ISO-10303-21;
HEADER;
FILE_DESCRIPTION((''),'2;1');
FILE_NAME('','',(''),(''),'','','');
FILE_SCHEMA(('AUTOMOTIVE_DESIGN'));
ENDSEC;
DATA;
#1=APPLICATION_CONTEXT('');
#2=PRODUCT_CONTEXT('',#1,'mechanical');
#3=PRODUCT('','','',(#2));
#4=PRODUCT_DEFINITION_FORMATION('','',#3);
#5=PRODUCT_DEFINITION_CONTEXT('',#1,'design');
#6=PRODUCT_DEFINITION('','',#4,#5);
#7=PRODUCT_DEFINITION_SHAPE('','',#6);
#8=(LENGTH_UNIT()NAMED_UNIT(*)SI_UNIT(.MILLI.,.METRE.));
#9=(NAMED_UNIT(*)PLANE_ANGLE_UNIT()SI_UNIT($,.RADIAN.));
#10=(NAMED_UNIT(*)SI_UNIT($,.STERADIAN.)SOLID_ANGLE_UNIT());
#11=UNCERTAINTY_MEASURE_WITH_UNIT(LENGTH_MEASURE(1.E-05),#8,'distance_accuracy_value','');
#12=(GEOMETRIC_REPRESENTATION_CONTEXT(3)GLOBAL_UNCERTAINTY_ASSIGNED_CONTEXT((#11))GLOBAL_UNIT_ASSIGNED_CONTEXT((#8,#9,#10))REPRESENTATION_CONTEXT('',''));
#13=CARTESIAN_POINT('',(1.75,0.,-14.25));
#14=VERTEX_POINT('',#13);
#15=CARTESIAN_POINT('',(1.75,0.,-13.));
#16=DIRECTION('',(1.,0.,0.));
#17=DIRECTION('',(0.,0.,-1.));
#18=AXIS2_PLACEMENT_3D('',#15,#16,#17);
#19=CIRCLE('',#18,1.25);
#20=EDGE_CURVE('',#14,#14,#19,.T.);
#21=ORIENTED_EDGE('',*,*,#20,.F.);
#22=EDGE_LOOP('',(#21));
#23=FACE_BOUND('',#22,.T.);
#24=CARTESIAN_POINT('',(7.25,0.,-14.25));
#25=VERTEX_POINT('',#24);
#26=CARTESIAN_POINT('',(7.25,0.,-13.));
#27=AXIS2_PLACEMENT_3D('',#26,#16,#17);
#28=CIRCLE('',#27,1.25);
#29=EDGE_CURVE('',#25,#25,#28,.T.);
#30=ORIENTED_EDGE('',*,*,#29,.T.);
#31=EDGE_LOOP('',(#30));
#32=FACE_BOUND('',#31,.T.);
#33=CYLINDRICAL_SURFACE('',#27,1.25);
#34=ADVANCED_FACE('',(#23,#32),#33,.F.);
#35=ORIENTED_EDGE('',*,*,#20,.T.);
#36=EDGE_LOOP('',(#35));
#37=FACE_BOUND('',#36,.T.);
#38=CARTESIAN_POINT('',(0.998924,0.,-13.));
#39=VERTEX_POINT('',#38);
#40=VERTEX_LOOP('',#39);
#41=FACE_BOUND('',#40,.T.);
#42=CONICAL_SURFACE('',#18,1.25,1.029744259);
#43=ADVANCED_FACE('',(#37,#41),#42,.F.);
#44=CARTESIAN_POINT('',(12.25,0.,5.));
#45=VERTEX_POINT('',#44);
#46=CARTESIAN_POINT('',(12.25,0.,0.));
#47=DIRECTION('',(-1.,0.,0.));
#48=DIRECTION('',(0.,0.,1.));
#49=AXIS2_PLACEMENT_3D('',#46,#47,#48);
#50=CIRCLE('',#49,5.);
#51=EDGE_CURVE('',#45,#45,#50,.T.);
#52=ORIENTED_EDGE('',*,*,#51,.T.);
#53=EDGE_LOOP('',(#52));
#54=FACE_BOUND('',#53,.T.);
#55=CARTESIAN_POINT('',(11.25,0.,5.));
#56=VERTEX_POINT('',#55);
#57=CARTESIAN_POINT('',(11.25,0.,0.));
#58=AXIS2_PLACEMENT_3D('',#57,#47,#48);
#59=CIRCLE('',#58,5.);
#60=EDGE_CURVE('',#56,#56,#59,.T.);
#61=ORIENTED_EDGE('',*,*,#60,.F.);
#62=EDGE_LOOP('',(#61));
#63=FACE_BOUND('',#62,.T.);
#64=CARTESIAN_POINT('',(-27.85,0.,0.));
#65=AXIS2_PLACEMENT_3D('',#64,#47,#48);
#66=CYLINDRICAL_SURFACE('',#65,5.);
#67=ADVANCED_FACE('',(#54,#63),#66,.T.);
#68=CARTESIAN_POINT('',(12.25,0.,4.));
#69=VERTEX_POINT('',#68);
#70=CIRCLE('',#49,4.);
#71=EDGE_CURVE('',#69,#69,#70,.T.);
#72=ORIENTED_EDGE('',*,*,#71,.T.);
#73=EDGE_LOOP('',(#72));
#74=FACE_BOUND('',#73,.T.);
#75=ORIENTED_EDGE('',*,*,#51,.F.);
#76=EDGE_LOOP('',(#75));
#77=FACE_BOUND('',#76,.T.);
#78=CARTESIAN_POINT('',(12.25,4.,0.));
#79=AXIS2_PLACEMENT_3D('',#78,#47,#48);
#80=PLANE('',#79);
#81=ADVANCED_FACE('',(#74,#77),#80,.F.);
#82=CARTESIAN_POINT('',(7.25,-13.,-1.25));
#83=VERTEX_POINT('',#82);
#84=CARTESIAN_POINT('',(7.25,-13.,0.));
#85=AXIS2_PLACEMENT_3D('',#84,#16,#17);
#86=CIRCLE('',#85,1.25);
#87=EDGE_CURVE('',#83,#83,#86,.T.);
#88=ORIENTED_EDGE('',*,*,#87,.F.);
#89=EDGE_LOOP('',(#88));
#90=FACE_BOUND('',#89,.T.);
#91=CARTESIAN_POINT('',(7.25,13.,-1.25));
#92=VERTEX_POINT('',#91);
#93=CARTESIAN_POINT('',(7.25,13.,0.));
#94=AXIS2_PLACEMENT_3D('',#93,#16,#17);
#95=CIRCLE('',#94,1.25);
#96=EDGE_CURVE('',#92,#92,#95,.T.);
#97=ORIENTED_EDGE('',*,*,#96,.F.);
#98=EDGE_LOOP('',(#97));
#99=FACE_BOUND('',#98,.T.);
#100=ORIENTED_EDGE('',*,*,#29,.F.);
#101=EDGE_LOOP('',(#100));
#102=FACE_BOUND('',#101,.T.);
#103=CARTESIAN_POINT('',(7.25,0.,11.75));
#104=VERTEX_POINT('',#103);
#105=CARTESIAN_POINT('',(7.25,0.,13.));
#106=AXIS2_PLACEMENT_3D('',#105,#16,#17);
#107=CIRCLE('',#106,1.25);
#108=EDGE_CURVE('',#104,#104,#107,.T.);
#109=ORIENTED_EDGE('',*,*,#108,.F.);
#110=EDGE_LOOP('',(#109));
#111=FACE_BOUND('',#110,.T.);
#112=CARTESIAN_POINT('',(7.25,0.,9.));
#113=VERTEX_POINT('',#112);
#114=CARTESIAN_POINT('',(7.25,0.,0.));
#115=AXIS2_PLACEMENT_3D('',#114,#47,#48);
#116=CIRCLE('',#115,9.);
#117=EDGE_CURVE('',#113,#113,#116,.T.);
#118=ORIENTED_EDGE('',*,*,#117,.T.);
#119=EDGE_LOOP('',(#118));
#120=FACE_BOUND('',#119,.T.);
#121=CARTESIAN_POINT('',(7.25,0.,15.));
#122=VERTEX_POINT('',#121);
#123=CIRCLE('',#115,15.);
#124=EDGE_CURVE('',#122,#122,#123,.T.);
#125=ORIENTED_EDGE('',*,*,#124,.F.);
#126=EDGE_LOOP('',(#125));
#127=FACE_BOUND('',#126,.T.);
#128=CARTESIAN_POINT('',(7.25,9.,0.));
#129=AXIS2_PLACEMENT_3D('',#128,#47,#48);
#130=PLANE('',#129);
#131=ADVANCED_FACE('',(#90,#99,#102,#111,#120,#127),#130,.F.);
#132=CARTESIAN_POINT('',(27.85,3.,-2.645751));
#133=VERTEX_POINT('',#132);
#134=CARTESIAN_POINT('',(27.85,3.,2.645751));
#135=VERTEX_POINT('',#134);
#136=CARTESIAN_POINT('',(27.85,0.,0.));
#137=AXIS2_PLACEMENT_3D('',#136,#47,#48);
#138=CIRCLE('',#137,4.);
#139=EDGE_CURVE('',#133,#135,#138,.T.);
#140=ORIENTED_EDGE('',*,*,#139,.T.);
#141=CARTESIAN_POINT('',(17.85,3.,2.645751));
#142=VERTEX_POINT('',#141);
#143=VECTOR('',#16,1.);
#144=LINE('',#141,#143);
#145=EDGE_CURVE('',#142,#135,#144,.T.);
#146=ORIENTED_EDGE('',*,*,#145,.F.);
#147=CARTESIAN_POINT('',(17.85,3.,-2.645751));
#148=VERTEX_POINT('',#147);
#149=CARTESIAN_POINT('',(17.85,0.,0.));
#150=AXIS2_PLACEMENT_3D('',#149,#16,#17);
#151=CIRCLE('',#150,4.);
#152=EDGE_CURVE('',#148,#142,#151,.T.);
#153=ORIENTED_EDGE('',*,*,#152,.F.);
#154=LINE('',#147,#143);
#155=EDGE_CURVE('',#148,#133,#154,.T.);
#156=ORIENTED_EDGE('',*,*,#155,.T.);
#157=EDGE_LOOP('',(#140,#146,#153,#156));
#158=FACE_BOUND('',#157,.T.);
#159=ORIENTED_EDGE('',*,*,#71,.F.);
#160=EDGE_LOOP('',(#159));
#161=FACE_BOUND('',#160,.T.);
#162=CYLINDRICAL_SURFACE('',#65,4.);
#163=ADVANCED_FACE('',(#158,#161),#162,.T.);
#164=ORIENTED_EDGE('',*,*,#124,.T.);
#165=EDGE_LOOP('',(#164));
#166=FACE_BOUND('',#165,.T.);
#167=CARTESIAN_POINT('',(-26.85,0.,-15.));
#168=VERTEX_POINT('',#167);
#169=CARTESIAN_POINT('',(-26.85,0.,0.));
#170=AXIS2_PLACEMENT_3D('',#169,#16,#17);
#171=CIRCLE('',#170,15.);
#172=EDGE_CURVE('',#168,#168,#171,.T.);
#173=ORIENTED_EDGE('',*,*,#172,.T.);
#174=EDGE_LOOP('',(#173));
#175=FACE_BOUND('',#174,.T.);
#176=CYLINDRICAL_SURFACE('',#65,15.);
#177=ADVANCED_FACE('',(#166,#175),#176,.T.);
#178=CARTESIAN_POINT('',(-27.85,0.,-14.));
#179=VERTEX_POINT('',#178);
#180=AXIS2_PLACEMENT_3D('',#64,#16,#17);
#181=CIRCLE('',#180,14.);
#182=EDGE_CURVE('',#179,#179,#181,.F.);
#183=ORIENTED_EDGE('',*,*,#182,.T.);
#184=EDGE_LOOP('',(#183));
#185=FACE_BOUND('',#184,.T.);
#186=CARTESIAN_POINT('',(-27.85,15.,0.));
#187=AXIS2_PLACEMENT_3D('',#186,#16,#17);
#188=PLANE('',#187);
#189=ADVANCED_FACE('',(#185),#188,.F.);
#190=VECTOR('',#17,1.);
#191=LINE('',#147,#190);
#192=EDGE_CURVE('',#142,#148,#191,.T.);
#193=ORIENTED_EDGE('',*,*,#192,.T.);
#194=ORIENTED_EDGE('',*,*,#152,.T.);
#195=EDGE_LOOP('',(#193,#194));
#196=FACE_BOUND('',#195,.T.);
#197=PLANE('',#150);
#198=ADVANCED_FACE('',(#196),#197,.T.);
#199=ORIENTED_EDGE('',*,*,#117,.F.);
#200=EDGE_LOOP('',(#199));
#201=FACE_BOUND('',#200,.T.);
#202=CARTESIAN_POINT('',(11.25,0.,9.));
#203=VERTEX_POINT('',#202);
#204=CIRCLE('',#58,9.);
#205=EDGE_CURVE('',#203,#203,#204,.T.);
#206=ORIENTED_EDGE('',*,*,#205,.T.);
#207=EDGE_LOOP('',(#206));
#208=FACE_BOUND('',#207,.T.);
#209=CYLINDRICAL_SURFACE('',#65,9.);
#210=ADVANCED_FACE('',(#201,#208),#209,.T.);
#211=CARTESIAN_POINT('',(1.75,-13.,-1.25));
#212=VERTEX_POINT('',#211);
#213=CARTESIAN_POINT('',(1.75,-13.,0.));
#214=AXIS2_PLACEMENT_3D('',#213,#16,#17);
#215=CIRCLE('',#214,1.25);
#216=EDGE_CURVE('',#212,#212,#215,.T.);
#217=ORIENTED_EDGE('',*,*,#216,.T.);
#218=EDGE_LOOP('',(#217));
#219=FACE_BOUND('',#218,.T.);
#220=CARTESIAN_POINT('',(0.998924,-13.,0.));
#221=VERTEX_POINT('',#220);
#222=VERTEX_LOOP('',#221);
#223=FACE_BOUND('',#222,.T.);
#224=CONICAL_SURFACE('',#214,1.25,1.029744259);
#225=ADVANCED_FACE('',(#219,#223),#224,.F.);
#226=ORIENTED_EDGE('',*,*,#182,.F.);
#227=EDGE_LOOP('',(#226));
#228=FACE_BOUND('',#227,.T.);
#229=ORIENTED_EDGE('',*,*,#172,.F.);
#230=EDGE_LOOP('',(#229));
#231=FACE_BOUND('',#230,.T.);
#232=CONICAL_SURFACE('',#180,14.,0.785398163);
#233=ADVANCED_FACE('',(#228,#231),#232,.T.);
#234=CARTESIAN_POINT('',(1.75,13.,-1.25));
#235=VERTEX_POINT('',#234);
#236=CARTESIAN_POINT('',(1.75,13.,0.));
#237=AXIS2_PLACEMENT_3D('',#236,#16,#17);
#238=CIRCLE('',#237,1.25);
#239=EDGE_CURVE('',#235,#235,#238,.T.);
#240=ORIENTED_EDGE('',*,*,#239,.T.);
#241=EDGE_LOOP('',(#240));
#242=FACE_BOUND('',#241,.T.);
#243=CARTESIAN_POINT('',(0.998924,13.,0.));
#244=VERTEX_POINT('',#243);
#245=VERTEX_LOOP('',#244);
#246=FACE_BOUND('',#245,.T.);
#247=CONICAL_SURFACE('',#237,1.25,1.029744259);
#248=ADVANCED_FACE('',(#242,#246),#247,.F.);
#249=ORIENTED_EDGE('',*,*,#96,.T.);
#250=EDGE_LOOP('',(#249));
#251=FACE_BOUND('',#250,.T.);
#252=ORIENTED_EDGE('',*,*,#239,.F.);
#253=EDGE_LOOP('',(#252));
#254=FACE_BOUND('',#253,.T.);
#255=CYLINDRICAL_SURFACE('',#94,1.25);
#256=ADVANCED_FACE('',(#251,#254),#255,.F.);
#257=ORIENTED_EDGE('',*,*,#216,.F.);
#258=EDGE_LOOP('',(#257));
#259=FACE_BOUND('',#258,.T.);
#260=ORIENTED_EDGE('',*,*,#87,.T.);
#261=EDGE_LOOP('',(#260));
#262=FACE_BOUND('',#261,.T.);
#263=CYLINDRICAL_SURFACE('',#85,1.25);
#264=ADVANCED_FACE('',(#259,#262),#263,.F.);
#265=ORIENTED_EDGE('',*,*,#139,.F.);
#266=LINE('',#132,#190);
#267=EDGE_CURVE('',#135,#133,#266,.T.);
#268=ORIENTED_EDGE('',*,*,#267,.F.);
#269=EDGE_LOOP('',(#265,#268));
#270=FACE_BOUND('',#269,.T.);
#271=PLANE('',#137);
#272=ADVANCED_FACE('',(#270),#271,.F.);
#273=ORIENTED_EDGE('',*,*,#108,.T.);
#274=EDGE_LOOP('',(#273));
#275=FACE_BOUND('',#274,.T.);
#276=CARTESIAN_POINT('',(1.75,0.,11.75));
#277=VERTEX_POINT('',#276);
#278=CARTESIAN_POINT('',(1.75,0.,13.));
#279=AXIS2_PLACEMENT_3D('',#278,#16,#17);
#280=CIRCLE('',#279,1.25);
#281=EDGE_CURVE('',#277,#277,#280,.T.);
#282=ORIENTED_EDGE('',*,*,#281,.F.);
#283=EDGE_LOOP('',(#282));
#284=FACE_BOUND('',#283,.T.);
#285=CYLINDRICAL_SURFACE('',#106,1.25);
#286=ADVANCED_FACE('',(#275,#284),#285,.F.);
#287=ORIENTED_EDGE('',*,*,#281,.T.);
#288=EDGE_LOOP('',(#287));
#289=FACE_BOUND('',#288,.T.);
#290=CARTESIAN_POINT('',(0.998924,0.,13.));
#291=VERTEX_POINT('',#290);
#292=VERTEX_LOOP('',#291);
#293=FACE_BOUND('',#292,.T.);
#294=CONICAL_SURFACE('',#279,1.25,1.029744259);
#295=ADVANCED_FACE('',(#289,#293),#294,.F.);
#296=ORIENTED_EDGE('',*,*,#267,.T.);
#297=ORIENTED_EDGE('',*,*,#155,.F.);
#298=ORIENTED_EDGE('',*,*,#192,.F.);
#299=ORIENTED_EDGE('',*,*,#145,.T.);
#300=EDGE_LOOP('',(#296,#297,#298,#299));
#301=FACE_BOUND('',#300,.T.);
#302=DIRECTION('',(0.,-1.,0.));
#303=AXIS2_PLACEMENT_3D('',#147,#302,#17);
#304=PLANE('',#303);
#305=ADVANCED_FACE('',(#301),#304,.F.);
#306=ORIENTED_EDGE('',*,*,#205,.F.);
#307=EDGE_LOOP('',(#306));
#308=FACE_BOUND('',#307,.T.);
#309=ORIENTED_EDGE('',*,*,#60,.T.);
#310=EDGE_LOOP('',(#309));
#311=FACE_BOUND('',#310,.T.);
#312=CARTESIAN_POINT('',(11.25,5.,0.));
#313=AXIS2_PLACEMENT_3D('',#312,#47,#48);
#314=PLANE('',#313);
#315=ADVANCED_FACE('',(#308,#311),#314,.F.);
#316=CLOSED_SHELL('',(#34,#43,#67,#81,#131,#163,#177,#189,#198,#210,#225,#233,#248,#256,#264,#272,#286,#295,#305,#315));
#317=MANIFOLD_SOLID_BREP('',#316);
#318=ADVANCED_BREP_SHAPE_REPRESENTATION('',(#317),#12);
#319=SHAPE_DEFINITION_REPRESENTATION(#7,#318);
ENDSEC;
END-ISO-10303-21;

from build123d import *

# Parameters (mm, degrees)
EXTRUSION1_DEPTH             = 10
R_P_TITION_CIRCULAIRE1_COUNT = 4
CHANFREIN1_SIZE              = 1


with BuildPart() as part:
    # Esquisse1 → Révolution1 (revolve)
    with BuildSketch(Plane.XY):
        Polygon((27.85, 0), (27.85, 4), (12.25, 4), (12.25, 5), (11.25, 5), (11.25, 9), (7.25, 9), (7.25, 15), (-27.85, 15), (-27.85, 0), align=None)
    revolve(axis=Axis((-27.85, 0, 0), (1, 0, 0)))

    # Esquisse2 → Extrusion1 (cut)
    with BuildSketch(Plane(origin=(27.85, 0, 0), x_dir=(0, 0, -1), z_dir=(1, 0, 0))):
        with BuildLine():
            Line((2.645751311, 3), (-2.645751311, 3))
            ThreePointArc((-2.645751311, 3), (0, 4), (2.645751311, 3))
        make_face()
    extrude(amount=-EXTRUSION1_DEPTH, mode=Mode.SUBTRACT)

    # Esquisse3 → Trou taraudé M31 (revolve, cut)
    with BuildSketch(Plane(origin=(7.25, 13, 0), x_dir=(0, 0, -1), z_dir=(0, 1, 0))):
        Polygon((0, 0), (0, 6.251075774), (1.25, 5.5), (1.25, 0), align=None)
    trou_taraud_m31 = revolve(axis=Axis((13.6, 13, 0), (-1, 0, 0)), mode=Mode.SUBTRACT)

    # Répétition circulaire1: Trou taraudé M31 ×4 about axis
    r_p_tition_circulaire1_axis = Axis((0, 0, 0), (1, 0, 0))
    for i in range(1, R_P_TITION_CIRCULAIRE1_COUNT):
        add(trou_taraud_m31.rotate(r_p_tition_circulaire1_axis, i * 360 / R_P_TITION_CIRCULAIRE1_COUNT), mode=Mode.SUBTRACT)

    # Chanfrein1
    chanfrein1_edges = [part.edges().sort_by_distance(p)[0] for p in [
        (-27.85, -15, 0),
    ]]
    chamfer(chanfrein1_edges, length=CHANFREIN1_SIZE)


solid = part.part
